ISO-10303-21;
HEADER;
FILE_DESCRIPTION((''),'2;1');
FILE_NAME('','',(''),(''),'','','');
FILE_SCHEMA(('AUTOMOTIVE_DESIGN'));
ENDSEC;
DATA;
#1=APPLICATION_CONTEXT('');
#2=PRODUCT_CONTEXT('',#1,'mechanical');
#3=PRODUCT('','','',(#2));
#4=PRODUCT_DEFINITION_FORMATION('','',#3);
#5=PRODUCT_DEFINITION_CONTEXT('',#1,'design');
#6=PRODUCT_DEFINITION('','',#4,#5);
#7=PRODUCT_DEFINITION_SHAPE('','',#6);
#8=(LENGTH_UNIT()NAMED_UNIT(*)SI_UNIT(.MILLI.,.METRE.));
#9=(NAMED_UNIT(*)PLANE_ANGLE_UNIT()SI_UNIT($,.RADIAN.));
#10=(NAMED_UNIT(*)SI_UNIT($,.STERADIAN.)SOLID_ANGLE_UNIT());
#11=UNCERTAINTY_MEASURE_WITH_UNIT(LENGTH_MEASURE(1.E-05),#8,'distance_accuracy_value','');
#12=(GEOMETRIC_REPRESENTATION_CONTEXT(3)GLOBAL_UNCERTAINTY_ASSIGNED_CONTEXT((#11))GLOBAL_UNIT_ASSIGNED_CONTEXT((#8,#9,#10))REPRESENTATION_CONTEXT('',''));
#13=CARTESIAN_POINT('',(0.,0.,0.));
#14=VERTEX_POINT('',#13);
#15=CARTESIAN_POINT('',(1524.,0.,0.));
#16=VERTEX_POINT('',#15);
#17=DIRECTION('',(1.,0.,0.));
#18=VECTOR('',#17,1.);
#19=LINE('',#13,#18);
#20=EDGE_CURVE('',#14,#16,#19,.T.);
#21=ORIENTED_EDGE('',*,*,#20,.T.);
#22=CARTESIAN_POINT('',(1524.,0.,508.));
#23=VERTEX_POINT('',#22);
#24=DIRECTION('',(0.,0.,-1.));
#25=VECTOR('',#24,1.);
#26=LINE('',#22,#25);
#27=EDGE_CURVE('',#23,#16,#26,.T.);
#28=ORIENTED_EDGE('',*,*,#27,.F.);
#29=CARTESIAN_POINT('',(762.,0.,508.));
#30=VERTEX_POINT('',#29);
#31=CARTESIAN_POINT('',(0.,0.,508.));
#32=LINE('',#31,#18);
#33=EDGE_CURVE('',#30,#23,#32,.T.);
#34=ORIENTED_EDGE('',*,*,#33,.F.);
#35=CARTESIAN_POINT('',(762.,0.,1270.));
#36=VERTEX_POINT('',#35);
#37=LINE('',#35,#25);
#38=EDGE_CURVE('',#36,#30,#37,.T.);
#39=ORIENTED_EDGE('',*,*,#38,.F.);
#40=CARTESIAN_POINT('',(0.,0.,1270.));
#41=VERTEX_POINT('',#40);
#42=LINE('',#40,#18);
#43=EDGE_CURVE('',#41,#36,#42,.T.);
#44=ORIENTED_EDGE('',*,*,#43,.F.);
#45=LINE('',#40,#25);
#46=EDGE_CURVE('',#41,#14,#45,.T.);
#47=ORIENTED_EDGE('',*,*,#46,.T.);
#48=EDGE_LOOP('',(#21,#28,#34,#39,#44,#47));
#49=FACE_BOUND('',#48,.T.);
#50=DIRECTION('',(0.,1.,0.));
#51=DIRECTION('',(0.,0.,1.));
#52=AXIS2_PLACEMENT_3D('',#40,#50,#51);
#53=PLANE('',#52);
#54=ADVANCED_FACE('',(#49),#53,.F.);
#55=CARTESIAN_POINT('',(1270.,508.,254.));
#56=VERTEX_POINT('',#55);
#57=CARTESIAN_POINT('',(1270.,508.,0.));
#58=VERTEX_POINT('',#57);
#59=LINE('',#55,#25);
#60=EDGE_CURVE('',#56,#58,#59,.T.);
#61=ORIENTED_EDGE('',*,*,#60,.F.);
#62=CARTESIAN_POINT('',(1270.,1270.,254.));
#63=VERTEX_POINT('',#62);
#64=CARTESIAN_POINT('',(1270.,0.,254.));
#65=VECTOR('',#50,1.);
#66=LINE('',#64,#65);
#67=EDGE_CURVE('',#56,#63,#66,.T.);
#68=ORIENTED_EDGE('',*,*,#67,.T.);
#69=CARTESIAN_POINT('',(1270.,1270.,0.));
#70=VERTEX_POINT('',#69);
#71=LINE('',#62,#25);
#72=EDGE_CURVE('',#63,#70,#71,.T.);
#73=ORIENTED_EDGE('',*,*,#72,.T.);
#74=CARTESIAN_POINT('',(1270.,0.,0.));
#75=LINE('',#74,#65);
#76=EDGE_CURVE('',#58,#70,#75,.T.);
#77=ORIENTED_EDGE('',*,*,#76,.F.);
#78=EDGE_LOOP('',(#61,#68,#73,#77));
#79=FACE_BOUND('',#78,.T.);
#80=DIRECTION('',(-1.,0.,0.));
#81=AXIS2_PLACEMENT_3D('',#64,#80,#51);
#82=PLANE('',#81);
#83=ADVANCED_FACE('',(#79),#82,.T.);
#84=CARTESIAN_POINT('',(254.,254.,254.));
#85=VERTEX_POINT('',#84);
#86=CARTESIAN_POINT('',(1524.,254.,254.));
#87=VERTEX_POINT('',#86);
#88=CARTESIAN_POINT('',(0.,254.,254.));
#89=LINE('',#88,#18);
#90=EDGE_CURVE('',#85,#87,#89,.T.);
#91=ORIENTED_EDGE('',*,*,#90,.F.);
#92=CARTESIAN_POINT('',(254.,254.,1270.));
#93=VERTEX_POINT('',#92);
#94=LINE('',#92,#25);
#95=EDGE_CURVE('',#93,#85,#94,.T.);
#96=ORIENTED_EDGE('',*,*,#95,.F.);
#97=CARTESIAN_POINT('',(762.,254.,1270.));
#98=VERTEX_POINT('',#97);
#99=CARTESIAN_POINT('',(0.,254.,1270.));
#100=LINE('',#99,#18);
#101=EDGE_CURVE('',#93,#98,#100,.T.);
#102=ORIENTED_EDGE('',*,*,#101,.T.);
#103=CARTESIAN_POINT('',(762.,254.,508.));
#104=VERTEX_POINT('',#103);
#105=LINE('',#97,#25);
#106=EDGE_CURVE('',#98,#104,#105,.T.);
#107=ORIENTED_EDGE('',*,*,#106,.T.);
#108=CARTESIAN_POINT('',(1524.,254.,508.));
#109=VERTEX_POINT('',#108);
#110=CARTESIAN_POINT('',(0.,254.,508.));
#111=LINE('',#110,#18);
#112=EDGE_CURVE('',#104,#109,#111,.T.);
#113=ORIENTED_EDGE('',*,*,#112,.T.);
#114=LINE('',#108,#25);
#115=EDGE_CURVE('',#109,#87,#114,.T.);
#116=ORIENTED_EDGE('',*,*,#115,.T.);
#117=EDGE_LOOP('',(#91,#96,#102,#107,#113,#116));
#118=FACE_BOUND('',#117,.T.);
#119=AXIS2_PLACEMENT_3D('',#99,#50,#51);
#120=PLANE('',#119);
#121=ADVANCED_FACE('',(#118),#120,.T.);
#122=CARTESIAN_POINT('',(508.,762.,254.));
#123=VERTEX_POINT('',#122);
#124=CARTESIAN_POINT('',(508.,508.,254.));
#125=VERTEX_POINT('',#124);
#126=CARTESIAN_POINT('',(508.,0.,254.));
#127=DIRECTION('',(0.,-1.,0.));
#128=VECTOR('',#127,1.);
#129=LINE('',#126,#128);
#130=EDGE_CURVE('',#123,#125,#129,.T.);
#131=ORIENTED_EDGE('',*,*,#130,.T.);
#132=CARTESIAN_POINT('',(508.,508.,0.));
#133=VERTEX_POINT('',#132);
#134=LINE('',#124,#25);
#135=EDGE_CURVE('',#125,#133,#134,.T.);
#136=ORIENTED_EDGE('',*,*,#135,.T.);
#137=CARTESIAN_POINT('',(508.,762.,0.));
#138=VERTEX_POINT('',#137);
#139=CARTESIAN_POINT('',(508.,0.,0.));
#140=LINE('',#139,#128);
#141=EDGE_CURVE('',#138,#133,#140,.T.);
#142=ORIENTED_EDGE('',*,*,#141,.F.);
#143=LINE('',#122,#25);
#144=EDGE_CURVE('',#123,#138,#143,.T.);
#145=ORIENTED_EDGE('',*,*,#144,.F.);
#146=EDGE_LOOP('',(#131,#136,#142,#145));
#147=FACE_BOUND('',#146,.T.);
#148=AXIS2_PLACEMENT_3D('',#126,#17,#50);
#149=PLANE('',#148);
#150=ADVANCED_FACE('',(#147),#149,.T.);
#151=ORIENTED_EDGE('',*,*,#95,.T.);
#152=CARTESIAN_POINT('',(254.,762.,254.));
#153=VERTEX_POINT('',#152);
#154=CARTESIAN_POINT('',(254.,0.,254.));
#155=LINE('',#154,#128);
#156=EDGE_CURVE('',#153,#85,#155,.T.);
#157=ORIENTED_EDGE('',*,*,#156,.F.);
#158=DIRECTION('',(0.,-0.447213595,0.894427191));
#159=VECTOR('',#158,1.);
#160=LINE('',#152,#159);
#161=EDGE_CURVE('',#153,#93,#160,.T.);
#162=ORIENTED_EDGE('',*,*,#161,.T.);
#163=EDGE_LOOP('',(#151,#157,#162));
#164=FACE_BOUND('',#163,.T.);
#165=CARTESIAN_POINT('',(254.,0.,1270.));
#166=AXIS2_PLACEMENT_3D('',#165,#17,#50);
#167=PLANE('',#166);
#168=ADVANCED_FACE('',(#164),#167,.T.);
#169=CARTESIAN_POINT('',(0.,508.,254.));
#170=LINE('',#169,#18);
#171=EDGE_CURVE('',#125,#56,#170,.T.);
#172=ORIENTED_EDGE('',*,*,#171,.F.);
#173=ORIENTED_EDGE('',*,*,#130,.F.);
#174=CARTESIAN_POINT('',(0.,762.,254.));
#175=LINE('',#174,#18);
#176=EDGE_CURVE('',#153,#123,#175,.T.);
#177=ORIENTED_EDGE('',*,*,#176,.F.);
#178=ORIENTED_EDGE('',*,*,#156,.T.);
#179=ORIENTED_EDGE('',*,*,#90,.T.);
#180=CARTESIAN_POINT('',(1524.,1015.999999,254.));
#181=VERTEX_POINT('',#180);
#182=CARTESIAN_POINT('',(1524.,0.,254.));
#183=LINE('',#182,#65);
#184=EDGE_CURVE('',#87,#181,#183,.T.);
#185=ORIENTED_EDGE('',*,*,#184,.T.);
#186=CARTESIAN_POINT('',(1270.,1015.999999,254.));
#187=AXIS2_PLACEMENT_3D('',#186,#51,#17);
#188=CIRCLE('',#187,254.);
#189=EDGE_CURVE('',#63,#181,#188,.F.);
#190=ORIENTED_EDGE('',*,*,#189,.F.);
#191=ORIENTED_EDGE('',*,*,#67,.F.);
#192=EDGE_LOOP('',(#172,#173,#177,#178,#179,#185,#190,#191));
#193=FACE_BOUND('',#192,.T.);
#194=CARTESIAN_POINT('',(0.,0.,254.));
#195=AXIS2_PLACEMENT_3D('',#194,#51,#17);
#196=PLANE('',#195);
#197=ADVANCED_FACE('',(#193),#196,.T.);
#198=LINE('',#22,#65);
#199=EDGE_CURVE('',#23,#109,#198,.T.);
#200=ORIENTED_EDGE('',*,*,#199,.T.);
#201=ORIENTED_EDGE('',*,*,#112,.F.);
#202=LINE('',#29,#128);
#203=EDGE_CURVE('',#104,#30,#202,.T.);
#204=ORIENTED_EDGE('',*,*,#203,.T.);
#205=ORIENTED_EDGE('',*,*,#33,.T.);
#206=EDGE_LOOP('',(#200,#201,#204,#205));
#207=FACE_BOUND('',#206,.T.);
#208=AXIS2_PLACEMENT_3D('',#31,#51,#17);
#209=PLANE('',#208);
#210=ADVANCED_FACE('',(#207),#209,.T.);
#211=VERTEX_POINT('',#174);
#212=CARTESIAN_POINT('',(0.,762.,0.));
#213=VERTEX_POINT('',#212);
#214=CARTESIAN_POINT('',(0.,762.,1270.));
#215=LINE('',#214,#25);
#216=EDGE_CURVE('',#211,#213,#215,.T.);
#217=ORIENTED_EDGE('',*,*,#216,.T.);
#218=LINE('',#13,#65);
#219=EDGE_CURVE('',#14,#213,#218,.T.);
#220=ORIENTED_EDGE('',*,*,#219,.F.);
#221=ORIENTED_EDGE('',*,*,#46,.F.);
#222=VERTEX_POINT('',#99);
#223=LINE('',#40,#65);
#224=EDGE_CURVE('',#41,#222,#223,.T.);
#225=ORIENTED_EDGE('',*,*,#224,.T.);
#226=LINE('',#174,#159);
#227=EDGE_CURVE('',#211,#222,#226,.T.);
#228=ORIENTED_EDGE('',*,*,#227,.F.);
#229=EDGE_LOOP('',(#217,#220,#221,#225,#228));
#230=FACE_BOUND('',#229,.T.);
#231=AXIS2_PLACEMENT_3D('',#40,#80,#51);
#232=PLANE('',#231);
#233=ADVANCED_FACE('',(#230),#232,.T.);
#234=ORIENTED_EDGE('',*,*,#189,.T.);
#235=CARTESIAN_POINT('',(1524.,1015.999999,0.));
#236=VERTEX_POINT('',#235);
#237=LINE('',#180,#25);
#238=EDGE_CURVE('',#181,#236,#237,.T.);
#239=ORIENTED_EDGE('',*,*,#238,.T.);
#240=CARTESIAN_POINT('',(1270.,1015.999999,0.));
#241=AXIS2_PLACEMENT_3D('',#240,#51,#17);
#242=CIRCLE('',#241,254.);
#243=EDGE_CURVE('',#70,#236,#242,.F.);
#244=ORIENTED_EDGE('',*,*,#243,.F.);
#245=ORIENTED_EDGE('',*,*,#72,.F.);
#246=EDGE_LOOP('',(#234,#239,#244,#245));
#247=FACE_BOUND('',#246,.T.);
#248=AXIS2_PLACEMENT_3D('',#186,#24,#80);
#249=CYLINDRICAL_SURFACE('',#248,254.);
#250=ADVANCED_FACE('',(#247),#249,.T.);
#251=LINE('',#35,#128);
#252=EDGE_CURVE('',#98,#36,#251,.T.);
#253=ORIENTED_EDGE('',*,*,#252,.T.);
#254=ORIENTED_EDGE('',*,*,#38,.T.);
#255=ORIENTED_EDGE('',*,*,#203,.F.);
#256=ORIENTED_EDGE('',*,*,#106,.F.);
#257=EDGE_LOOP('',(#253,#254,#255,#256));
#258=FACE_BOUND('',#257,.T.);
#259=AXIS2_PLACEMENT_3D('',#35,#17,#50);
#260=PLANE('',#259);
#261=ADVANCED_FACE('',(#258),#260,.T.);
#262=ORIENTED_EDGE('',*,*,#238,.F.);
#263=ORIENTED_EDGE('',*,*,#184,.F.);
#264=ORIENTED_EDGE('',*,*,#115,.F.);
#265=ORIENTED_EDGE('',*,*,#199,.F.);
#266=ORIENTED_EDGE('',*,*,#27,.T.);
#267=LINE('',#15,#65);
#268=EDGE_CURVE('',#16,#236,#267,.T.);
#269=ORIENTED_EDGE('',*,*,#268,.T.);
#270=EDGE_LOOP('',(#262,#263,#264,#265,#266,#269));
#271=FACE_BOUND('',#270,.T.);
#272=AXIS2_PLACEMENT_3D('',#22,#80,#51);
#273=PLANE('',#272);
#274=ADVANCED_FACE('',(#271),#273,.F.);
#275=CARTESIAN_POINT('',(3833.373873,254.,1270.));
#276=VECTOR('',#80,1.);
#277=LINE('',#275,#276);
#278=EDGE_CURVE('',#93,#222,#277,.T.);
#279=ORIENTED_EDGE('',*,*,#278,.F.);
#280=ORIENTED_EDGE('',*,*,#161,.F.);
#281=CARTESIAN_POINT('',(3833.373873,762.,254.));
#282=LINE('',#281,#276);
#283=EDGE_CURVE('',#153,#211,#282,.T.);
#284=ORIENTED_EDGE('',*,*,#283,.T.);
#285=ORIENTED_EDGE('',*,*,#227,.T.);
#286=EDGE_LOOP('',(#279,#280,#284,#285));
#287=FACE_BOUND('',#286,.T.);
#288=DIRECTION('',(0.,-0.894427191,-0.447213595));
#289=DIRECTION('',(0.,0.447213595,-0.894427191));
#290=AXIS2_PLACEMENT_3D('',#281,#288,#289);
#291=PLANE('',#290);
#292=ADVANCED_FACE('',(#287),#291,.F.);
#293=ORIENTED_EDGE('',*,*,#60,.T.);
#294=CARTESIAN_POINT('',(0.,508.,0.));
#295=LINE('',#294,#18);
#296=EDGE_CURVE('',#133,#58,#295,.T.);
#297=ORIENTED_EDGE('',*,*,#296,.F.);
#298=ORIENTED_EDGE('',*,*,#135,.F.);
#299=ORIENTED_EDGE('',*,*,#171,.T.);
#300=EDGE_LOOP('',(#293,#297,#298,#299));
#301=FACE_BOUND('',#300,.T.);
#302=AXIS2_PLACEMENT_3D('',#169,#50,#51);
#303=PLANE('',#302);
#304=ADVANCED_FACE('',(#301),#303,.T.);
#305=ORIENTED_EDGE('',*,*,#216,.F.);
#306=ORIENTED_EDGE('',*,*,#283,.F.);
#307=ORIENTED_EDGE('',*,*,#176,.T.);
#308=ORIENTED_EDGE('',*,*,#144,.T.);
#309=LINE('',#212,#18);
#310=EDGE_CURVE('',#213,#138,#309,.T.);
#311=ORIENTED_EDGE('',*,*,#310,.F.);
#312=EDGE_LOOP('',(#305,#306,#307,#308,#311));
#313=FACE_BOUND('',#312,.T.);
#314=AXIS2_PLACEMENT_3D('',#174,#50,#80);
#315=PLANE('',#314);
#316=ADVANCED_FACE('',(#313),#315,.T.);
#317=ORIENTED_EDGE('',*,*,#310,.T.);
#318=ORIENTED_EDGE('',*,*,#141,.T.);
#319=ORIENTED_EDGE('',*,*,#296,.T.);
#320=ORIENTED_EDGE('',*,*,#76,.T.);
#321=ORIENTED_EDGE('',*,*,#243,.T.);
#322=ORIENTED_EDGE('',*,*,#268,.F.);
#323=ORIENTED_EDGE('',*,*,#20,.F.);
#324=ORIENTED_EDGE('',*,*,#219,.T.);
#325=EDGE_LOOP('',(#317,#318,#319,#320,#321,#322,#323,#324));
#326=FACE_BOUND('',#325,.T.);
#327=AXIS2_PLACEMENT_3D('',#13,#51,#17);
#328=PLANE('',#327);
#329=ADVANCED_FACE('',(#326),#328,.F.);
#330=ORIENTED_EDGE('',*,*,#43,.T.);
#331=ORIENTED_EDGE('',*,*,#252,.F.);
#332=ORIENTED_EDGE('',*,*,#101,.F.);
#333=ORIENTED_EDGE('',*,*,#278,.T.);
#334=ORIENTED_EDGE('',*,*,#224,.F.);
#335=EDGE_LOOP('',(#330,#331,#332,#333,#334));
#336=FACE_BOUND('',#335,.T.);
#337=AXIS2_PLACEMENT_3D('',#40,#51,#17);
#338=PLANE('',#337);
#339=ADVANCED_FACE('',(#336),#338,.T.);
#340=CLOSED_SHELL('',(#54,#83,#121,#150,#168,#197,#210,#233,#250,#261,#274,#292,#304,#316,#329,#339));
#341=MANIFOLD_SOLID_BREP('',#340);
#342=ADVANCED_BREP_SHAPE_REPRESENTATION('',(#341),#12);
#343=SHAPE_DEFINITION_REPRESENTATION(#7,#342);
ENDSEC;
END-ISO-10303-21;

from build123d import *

# Parameters (mm, degrees)
BOSS_EXTRUDE1_DEPTH     = 1270
SKETCH1_5_W             = 762
SKETCH1_5_H             = 254
BOSS_EXTRUDE2_DEPTH     = 508
BOSS_EXTRUDE3_DEPTH     = 254
SKETCH1_7_W             = 254
SKETCH1_7_H             = 508
BOSS_EXTRUDE4_DEPTH     = 1270
CUT_EXTRUDE1_DEPTH      = 254
CUT_EXTRUDE1_DEPTH_BACK = 255


with BuildPart() as part:
    # Sketch1 → Boss-Extrude1 (new body)
    with BuildSketch(Plane.XY):
        Polygon((0, 254), (0, 0), (762, 0), (762, 254), (254, 254), align=None)
    extrude(amount=BOSS_EXTRUDE1_DEPTH)

    # Sketch1<5> → Boss-Extrude2 (add)
    with BuildSketch(Plane.XY):
        with Locations((1143, 127)):
            Rectangle(SKETCH1_5_W, SKETCH1_5_H)
    extrude(amount=BOSS_EXTRUDE2_DEPTH)

    # Sketch1<6> → Boss-Extrude3 (add)
    with BuildSketch(Plane.XY):
        with BuildLine():
            Line((254, 762), (254, 254))
            Line((254, 254), (762, 254))
            Line((762, 254), (1524, 254))
            Line((1524, 254), (1524, 1015.999999044))
            ThreePointArc((1524, 1015.999999044), (1449.605122957, 1195.605122281), (1270, 1270))
            Line((1270, 1270), (1270, 508))
            Line((1270, 508), (508, 508))
            Line((508, 508), (508, 762))
            Line((508, 762), (254, 762))
        make_face()
    extrude(amount=BOSS_EXTRUDE3_DEPTH)

    # Sketch1<7> → Boss-Extrude4 (add)
    with BuildSketch(Plane.XY):
        with Locations((127, 508)):
            Rectangle(SKETCH1_7_W, SKETCH1_7_H)
    extrude(amount=BOSS_EXTRUDE4_DEPTH)

    # Sketch2 → Cut-Extrude1 (cut, two sides)
    with BuildSketch(Plane(origin=(254, 0, 0), x_dir=(0, 0, -1), z_dir=(1, 0, 0))) as cut_extrude1_sk:
        Polygon((2664.325511968, 2221.162755984), (-254, 762), (-1270, 254), (-4188.325511968, -1205.162755984), (-7106.651023936, 4631.488267952), (-254, 8057.813779919), align=None)
    extrude(amount=CUT_EXTRUDE1_DEPTH, mode=Mode.SUBTRACT)
    extrude(cut_extrude1_sk.sketch, amount=-CUT_EXTRUDE1_DEPTH_BACK, mode=Mode.SUBTRACT)


solid = part.part
